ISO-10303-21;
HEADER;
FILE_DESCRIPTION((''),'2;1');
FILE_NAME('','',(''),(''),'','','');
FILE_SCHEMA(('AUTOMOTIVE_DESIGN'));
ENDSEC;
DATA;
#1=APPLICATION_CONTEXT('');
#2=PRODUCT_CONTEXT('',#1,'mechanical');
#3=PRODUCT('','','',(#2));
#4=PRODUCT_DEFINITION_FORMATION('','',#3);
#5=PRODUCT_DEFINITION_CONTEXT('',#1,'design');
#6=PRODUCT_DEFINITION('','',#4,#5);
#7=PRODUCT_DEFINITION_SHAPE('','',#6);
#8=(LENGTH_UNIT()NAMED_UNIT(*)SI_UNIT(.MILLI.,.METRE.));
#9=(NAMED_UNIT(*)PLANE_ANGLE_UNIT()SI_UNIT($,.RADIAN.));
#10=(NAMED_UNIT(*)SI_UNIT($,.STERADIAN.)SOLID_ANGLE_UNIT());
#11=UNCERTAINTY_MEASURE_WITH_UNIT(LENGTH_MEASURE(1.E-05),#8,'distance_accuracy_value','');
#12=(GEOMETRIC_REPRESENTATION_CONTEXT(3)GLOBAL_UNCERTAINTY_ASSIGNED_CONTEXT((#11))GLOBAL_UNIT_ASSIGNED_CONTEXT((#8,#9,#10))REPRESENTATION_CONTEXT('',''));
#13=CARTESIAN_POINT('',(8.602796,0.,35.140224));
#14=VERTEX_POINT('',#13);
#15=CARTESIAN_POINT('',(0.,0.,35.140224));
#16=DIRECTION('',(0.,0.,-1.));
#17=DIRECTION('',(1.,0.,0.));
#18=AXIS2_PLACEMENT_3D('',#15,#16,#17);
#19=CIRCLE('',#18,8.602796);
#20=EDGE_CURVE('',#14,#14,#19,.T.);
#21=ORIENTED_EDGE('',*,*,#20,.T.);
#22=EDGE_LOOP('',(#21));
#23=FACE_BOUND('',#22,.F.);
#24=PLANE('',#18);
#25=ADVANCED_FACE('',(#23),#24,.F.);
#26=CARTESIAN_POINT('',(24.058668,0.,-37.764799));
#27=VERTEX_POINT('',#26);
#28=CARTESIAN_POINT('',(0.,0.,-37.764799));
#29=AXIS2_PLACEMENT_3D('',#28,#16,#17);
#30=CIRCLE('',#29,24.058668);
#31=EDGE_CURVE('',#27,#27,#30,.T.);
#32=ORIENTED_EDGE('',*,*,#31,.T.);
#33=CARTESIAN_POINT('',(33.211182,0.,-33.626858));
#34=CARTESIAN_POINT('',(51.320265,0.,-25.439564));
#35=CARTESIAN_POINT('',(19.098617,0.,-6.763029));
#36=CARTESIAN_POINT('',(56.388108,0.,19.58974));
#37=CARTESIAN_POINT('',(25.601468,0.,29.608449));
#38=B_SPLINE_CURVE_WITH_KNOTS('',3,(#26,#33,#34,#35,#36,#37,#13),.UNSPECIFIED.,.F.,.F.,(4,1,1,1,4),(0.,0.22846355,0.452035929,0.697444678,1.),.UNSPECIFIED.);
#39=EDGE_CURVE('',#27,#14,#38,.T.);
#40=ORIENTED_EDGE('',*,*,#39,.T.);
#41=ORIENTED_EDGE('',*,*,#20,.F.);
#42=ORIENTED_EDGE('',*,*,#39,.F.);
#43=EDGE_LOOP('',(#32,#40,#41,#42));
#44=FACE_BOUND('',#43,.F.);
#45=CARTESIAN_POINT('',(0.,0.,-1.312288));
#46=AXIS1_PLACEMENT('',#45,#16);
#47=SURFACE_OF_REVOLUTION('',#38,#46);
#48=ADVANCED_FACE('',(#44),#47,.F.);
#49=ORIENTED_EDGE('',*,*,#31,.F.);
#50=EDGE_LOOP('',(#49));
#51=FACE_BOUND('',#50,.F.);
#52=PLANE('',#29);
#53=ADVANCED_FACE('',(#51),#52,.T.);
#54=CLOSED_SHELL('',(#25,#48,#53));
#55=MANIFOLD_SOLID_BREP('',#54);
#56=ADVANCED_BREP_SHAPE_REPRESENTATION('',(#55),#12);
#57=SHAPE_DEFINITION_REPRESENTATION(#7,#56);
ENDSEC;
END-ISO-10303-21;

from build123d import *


with BuildPart() as f1:
    # F0 (on Front) → F1 (revolve)
    with BuildSketch(Plane.XZ):
        with BuildLine():
            Line((8.6027961224, 35.1402238011), (0, 35.1402238011))
            Line((0, 35.1402238011), (0, -37.7647988498))
            Line((0, -37.7647988498), (24.0586679429, -37.7647988498))
            add(Edge.make_bspline(
                [(24.0586679429, -37.7647988498), (33.2111823503, -33.6268576739), (51.3202652001, -25.439564407), (19.0986166192, -6.7630290697), (56.3881077654, 19.5897404815), (25.6014683115, 29.608449303), (8.6027961224, 35.1402238011)],
                knots=[0, 0, 0, 0, 0.2284635501, 0.4520359295, 0.6974446783, 1, 1, 1, 1], degree=3))
        make_face()
    revolve(axis=Axis((0, 0, -1.3122875243), (0, 0, -1)))


solid = f1.part
